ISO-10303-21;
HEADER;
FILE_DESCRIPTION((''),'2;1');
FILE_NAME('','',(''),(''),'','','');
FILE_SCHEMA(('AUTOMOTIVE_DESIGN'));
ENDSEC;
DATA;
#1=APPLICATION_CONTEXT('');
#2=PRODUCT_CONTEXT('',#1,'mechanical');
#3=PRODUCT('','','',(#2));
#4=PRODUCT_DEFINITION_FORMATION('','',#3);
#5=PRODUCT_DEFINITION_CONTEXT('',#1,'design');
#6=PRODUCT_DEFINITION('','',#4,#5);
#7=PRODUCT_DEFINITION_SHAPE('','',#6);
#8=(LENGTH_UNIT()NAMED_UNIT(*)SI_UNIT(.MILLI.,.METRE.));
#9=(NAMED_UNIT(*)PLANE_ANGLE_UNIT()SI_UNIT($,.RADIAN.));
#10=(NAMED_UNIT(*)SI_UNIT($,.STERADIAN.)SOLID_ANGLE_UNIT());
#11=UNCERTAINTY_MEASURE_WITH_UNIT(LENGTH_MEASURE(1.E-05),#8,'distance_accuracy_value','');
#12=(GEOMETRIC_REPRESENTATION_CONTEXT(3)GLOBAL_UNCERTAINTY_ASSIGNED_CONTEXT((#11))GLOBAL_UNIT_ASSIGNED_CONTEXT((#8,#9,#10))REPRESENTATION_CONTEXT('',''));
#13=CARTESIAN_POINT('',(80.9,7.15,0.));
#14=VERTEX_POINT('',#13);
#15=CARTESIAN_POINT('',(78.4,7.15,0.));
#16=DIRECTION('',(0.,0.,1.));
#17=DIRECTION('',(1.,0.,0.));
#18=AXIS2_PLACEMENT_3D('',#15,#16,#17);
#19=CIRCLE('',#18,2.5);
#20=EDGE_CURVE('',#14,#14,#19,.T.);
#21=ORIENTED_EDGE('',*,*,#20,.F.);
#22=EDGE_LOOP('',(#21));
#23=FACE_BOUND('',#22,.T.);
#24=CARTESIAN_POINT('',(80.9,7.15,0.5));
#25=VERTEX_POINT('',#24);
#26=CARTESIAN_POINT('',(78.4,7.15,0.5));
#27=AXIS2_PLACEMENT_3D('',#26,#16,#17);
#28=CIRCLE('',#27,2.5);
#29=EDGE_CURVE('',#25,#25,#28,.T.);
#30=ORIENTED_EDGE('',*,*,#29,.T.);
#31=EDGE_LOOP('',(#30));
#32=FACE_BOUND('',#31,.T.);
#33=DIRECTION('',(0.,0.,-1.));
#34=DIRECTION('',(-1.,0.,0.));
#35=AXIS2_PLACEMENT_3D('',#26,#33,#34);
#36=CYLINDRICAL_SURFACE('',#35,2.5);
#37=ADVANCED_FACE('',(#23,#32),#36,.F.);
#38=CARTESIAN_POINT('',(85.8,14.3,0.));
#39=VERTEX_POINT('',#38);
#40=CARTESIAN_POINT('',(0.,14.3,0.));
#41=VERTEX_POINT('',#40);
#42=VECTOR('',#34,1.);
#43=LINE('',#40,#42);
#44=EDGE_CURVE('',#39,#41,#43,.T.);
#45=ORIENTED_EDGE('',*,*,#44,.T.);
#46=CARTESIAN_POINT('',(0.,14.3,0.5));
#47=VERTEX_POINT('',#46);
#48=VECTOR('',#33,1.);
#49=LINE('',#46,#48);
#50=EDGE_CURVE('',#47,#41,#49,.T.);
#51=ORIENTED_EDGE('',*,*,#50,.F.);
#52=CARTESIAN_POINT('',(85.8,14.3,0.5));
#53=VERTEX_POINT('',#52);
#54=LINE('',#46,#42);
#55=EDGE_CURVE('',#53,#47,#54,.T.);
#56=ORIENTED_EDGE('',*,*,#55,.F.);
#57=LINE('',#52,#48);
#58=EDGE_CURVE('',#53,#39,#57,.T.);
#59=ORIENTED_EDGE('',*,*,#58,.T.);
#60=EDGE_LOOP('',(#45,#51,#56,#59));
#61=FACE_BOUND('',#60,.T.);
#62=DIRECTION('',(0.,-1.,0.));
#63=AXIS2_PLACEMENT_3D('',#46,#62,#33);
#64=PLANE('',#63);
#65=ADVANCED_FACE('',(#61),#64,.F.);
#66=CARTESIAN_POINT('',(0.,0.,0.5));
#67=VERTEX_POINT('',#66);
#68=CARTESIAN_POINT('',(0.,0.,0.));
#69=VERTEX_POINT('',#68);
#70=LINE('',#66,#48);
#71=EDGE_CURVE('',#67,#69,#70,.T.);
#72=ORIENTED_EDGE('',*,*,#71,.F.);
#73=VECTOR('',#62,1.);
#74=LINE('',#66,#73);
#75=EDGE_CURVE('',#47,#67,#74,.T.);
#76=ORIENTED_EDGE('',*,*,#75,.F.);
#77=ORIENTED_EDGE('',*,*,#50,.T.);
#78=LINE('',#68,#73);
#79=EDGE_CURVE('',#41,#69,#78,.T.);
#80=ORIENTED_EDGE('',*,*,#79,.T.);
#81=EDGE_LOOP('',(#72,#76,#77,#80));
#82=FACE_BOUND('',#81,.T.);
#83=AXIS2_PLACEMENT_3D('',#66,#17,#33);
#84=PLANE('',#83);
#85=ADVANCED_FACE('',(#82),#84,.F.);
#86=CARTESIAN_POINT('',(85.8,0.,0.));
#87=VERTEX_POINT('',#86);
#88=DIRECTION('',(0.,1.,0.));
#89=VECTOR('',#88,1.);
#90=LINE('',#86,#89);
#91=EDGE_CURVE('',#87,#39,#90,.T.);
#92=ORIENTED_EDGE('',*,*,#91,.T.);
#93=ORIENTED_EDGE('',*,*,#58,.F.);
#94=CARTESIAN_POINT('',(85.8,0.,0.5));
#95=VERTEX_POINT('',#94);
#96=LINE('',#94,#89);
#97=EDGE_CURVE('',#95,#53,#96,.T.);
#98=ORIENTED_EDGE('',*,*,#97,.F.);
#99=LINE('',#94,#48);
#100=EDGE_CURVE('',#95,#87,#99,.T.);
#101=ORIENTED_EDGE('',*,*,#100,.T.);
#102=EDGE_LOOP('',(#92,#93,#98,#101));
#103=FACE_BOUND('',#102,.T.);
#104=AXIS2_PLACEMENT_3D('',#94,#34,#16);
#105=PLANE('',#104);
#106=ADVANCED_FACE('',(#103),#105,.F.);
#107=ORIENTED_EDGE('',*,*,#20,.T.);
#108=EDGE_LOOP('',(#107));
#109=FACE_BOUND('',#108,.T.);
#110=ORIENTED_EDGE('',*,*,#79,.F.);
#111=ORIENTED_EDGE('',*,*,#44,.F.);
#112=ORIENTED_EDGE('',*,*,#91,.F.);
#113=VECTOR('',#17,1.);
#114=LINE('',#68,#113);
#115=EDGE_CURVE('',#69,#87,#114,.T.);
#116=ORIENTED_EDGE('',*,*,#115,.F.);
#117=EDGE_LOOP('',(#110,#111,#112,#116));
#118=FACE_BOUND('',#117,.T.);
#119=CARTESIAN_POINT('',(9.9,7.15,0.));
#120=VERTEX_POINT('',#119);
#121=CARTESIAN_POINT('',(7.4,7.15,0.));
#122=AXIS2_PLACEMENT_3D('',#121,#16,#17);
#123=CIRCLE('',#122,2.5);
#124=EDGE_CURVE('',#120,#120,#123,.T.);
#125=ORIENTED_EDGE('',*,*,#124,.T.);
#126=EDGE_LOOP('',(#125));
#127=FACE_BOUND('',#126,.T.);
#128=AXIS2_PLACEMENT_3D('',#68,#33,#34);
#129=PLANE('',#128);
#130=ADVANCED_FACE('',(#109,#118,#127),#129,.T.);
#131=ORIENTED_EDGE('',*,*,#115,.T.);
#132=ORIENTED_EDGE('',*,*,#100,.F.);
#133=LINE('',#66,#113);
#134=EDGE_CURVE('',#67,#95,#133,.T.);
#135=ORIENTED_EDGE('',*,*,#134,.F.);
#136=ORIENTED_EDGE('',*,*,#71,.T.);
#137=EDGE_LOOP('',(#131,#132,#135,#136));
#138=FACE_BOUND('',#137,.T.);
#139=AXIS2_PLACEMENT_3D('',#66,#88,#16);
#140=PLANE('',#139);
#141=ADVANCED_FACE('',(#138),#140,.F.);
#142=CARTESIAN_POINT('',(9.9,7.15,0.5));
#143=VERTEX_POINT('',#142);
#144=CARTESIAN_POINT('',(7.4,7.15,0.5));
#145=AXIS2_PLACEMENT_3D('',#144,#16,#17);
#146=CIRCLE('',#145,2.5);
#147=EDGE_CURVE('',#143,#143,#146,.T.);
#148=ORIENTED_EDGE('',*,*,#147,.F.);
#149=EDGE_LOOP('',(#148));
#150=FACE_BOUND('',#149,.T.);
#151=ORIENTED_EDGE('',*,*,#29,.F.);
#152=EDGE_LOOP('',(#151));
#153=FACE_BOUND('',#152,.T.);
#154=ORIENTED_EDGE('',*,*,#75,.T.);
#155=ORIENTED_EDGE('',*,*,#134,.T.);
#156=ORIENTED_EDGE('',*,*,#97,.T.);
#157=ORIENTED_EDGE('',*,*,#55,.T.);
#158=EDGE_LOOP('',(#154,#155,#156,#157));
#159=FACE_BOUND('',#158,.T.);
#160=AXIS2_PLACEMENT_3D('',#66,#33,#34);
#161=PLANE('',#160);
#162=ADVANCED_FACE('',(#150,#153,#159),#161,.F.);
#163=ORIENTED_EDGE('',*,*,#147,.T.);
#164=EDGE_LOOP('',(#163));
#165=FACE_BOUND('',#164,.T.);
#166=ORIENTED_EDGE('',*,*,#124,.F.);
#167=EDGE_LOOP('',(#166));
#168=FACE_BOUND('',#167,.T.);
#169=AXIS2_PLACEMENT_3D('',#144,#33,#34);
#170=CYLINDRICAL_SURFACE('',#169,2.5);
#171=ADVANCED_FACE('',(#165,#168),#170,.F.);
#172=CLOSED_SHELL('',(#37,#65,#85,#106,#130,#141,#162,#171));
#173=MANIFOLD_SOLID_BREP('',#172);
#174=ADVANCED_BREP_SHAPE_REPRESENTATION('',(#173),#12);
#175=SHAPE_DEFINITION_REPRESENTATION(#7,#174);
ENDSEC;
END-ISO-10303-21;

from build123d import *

# Parameters (mm, degrees)
SKETCH1_W           = 85.8
SKETCH1_H           = 14.3
SKETCH1_R           = 2.5
BOSS_EXTRUDE1_DEPTH = 0.5


with BuildPart() as part:
    # Sketch1 → Boss-Extrude1 (new body)
    with BuildSketch(Plane.XY):
        with Locations((42.9, 7.15)):
            Rectangle(SKETCH1_W, SKETCH1_H)
        with Locations((7.4, 7.15)):
            Circle(SKETCH1_R, mode=Mode.SUBTRACT)
        with Locations((78.4, 7.15)):
            Circle(SKETCH1_R, mode=Mode.SUBTRACT)
    extrude(amount=BOSS_EXTRUDE1_DEPTH)


solid = part.part
